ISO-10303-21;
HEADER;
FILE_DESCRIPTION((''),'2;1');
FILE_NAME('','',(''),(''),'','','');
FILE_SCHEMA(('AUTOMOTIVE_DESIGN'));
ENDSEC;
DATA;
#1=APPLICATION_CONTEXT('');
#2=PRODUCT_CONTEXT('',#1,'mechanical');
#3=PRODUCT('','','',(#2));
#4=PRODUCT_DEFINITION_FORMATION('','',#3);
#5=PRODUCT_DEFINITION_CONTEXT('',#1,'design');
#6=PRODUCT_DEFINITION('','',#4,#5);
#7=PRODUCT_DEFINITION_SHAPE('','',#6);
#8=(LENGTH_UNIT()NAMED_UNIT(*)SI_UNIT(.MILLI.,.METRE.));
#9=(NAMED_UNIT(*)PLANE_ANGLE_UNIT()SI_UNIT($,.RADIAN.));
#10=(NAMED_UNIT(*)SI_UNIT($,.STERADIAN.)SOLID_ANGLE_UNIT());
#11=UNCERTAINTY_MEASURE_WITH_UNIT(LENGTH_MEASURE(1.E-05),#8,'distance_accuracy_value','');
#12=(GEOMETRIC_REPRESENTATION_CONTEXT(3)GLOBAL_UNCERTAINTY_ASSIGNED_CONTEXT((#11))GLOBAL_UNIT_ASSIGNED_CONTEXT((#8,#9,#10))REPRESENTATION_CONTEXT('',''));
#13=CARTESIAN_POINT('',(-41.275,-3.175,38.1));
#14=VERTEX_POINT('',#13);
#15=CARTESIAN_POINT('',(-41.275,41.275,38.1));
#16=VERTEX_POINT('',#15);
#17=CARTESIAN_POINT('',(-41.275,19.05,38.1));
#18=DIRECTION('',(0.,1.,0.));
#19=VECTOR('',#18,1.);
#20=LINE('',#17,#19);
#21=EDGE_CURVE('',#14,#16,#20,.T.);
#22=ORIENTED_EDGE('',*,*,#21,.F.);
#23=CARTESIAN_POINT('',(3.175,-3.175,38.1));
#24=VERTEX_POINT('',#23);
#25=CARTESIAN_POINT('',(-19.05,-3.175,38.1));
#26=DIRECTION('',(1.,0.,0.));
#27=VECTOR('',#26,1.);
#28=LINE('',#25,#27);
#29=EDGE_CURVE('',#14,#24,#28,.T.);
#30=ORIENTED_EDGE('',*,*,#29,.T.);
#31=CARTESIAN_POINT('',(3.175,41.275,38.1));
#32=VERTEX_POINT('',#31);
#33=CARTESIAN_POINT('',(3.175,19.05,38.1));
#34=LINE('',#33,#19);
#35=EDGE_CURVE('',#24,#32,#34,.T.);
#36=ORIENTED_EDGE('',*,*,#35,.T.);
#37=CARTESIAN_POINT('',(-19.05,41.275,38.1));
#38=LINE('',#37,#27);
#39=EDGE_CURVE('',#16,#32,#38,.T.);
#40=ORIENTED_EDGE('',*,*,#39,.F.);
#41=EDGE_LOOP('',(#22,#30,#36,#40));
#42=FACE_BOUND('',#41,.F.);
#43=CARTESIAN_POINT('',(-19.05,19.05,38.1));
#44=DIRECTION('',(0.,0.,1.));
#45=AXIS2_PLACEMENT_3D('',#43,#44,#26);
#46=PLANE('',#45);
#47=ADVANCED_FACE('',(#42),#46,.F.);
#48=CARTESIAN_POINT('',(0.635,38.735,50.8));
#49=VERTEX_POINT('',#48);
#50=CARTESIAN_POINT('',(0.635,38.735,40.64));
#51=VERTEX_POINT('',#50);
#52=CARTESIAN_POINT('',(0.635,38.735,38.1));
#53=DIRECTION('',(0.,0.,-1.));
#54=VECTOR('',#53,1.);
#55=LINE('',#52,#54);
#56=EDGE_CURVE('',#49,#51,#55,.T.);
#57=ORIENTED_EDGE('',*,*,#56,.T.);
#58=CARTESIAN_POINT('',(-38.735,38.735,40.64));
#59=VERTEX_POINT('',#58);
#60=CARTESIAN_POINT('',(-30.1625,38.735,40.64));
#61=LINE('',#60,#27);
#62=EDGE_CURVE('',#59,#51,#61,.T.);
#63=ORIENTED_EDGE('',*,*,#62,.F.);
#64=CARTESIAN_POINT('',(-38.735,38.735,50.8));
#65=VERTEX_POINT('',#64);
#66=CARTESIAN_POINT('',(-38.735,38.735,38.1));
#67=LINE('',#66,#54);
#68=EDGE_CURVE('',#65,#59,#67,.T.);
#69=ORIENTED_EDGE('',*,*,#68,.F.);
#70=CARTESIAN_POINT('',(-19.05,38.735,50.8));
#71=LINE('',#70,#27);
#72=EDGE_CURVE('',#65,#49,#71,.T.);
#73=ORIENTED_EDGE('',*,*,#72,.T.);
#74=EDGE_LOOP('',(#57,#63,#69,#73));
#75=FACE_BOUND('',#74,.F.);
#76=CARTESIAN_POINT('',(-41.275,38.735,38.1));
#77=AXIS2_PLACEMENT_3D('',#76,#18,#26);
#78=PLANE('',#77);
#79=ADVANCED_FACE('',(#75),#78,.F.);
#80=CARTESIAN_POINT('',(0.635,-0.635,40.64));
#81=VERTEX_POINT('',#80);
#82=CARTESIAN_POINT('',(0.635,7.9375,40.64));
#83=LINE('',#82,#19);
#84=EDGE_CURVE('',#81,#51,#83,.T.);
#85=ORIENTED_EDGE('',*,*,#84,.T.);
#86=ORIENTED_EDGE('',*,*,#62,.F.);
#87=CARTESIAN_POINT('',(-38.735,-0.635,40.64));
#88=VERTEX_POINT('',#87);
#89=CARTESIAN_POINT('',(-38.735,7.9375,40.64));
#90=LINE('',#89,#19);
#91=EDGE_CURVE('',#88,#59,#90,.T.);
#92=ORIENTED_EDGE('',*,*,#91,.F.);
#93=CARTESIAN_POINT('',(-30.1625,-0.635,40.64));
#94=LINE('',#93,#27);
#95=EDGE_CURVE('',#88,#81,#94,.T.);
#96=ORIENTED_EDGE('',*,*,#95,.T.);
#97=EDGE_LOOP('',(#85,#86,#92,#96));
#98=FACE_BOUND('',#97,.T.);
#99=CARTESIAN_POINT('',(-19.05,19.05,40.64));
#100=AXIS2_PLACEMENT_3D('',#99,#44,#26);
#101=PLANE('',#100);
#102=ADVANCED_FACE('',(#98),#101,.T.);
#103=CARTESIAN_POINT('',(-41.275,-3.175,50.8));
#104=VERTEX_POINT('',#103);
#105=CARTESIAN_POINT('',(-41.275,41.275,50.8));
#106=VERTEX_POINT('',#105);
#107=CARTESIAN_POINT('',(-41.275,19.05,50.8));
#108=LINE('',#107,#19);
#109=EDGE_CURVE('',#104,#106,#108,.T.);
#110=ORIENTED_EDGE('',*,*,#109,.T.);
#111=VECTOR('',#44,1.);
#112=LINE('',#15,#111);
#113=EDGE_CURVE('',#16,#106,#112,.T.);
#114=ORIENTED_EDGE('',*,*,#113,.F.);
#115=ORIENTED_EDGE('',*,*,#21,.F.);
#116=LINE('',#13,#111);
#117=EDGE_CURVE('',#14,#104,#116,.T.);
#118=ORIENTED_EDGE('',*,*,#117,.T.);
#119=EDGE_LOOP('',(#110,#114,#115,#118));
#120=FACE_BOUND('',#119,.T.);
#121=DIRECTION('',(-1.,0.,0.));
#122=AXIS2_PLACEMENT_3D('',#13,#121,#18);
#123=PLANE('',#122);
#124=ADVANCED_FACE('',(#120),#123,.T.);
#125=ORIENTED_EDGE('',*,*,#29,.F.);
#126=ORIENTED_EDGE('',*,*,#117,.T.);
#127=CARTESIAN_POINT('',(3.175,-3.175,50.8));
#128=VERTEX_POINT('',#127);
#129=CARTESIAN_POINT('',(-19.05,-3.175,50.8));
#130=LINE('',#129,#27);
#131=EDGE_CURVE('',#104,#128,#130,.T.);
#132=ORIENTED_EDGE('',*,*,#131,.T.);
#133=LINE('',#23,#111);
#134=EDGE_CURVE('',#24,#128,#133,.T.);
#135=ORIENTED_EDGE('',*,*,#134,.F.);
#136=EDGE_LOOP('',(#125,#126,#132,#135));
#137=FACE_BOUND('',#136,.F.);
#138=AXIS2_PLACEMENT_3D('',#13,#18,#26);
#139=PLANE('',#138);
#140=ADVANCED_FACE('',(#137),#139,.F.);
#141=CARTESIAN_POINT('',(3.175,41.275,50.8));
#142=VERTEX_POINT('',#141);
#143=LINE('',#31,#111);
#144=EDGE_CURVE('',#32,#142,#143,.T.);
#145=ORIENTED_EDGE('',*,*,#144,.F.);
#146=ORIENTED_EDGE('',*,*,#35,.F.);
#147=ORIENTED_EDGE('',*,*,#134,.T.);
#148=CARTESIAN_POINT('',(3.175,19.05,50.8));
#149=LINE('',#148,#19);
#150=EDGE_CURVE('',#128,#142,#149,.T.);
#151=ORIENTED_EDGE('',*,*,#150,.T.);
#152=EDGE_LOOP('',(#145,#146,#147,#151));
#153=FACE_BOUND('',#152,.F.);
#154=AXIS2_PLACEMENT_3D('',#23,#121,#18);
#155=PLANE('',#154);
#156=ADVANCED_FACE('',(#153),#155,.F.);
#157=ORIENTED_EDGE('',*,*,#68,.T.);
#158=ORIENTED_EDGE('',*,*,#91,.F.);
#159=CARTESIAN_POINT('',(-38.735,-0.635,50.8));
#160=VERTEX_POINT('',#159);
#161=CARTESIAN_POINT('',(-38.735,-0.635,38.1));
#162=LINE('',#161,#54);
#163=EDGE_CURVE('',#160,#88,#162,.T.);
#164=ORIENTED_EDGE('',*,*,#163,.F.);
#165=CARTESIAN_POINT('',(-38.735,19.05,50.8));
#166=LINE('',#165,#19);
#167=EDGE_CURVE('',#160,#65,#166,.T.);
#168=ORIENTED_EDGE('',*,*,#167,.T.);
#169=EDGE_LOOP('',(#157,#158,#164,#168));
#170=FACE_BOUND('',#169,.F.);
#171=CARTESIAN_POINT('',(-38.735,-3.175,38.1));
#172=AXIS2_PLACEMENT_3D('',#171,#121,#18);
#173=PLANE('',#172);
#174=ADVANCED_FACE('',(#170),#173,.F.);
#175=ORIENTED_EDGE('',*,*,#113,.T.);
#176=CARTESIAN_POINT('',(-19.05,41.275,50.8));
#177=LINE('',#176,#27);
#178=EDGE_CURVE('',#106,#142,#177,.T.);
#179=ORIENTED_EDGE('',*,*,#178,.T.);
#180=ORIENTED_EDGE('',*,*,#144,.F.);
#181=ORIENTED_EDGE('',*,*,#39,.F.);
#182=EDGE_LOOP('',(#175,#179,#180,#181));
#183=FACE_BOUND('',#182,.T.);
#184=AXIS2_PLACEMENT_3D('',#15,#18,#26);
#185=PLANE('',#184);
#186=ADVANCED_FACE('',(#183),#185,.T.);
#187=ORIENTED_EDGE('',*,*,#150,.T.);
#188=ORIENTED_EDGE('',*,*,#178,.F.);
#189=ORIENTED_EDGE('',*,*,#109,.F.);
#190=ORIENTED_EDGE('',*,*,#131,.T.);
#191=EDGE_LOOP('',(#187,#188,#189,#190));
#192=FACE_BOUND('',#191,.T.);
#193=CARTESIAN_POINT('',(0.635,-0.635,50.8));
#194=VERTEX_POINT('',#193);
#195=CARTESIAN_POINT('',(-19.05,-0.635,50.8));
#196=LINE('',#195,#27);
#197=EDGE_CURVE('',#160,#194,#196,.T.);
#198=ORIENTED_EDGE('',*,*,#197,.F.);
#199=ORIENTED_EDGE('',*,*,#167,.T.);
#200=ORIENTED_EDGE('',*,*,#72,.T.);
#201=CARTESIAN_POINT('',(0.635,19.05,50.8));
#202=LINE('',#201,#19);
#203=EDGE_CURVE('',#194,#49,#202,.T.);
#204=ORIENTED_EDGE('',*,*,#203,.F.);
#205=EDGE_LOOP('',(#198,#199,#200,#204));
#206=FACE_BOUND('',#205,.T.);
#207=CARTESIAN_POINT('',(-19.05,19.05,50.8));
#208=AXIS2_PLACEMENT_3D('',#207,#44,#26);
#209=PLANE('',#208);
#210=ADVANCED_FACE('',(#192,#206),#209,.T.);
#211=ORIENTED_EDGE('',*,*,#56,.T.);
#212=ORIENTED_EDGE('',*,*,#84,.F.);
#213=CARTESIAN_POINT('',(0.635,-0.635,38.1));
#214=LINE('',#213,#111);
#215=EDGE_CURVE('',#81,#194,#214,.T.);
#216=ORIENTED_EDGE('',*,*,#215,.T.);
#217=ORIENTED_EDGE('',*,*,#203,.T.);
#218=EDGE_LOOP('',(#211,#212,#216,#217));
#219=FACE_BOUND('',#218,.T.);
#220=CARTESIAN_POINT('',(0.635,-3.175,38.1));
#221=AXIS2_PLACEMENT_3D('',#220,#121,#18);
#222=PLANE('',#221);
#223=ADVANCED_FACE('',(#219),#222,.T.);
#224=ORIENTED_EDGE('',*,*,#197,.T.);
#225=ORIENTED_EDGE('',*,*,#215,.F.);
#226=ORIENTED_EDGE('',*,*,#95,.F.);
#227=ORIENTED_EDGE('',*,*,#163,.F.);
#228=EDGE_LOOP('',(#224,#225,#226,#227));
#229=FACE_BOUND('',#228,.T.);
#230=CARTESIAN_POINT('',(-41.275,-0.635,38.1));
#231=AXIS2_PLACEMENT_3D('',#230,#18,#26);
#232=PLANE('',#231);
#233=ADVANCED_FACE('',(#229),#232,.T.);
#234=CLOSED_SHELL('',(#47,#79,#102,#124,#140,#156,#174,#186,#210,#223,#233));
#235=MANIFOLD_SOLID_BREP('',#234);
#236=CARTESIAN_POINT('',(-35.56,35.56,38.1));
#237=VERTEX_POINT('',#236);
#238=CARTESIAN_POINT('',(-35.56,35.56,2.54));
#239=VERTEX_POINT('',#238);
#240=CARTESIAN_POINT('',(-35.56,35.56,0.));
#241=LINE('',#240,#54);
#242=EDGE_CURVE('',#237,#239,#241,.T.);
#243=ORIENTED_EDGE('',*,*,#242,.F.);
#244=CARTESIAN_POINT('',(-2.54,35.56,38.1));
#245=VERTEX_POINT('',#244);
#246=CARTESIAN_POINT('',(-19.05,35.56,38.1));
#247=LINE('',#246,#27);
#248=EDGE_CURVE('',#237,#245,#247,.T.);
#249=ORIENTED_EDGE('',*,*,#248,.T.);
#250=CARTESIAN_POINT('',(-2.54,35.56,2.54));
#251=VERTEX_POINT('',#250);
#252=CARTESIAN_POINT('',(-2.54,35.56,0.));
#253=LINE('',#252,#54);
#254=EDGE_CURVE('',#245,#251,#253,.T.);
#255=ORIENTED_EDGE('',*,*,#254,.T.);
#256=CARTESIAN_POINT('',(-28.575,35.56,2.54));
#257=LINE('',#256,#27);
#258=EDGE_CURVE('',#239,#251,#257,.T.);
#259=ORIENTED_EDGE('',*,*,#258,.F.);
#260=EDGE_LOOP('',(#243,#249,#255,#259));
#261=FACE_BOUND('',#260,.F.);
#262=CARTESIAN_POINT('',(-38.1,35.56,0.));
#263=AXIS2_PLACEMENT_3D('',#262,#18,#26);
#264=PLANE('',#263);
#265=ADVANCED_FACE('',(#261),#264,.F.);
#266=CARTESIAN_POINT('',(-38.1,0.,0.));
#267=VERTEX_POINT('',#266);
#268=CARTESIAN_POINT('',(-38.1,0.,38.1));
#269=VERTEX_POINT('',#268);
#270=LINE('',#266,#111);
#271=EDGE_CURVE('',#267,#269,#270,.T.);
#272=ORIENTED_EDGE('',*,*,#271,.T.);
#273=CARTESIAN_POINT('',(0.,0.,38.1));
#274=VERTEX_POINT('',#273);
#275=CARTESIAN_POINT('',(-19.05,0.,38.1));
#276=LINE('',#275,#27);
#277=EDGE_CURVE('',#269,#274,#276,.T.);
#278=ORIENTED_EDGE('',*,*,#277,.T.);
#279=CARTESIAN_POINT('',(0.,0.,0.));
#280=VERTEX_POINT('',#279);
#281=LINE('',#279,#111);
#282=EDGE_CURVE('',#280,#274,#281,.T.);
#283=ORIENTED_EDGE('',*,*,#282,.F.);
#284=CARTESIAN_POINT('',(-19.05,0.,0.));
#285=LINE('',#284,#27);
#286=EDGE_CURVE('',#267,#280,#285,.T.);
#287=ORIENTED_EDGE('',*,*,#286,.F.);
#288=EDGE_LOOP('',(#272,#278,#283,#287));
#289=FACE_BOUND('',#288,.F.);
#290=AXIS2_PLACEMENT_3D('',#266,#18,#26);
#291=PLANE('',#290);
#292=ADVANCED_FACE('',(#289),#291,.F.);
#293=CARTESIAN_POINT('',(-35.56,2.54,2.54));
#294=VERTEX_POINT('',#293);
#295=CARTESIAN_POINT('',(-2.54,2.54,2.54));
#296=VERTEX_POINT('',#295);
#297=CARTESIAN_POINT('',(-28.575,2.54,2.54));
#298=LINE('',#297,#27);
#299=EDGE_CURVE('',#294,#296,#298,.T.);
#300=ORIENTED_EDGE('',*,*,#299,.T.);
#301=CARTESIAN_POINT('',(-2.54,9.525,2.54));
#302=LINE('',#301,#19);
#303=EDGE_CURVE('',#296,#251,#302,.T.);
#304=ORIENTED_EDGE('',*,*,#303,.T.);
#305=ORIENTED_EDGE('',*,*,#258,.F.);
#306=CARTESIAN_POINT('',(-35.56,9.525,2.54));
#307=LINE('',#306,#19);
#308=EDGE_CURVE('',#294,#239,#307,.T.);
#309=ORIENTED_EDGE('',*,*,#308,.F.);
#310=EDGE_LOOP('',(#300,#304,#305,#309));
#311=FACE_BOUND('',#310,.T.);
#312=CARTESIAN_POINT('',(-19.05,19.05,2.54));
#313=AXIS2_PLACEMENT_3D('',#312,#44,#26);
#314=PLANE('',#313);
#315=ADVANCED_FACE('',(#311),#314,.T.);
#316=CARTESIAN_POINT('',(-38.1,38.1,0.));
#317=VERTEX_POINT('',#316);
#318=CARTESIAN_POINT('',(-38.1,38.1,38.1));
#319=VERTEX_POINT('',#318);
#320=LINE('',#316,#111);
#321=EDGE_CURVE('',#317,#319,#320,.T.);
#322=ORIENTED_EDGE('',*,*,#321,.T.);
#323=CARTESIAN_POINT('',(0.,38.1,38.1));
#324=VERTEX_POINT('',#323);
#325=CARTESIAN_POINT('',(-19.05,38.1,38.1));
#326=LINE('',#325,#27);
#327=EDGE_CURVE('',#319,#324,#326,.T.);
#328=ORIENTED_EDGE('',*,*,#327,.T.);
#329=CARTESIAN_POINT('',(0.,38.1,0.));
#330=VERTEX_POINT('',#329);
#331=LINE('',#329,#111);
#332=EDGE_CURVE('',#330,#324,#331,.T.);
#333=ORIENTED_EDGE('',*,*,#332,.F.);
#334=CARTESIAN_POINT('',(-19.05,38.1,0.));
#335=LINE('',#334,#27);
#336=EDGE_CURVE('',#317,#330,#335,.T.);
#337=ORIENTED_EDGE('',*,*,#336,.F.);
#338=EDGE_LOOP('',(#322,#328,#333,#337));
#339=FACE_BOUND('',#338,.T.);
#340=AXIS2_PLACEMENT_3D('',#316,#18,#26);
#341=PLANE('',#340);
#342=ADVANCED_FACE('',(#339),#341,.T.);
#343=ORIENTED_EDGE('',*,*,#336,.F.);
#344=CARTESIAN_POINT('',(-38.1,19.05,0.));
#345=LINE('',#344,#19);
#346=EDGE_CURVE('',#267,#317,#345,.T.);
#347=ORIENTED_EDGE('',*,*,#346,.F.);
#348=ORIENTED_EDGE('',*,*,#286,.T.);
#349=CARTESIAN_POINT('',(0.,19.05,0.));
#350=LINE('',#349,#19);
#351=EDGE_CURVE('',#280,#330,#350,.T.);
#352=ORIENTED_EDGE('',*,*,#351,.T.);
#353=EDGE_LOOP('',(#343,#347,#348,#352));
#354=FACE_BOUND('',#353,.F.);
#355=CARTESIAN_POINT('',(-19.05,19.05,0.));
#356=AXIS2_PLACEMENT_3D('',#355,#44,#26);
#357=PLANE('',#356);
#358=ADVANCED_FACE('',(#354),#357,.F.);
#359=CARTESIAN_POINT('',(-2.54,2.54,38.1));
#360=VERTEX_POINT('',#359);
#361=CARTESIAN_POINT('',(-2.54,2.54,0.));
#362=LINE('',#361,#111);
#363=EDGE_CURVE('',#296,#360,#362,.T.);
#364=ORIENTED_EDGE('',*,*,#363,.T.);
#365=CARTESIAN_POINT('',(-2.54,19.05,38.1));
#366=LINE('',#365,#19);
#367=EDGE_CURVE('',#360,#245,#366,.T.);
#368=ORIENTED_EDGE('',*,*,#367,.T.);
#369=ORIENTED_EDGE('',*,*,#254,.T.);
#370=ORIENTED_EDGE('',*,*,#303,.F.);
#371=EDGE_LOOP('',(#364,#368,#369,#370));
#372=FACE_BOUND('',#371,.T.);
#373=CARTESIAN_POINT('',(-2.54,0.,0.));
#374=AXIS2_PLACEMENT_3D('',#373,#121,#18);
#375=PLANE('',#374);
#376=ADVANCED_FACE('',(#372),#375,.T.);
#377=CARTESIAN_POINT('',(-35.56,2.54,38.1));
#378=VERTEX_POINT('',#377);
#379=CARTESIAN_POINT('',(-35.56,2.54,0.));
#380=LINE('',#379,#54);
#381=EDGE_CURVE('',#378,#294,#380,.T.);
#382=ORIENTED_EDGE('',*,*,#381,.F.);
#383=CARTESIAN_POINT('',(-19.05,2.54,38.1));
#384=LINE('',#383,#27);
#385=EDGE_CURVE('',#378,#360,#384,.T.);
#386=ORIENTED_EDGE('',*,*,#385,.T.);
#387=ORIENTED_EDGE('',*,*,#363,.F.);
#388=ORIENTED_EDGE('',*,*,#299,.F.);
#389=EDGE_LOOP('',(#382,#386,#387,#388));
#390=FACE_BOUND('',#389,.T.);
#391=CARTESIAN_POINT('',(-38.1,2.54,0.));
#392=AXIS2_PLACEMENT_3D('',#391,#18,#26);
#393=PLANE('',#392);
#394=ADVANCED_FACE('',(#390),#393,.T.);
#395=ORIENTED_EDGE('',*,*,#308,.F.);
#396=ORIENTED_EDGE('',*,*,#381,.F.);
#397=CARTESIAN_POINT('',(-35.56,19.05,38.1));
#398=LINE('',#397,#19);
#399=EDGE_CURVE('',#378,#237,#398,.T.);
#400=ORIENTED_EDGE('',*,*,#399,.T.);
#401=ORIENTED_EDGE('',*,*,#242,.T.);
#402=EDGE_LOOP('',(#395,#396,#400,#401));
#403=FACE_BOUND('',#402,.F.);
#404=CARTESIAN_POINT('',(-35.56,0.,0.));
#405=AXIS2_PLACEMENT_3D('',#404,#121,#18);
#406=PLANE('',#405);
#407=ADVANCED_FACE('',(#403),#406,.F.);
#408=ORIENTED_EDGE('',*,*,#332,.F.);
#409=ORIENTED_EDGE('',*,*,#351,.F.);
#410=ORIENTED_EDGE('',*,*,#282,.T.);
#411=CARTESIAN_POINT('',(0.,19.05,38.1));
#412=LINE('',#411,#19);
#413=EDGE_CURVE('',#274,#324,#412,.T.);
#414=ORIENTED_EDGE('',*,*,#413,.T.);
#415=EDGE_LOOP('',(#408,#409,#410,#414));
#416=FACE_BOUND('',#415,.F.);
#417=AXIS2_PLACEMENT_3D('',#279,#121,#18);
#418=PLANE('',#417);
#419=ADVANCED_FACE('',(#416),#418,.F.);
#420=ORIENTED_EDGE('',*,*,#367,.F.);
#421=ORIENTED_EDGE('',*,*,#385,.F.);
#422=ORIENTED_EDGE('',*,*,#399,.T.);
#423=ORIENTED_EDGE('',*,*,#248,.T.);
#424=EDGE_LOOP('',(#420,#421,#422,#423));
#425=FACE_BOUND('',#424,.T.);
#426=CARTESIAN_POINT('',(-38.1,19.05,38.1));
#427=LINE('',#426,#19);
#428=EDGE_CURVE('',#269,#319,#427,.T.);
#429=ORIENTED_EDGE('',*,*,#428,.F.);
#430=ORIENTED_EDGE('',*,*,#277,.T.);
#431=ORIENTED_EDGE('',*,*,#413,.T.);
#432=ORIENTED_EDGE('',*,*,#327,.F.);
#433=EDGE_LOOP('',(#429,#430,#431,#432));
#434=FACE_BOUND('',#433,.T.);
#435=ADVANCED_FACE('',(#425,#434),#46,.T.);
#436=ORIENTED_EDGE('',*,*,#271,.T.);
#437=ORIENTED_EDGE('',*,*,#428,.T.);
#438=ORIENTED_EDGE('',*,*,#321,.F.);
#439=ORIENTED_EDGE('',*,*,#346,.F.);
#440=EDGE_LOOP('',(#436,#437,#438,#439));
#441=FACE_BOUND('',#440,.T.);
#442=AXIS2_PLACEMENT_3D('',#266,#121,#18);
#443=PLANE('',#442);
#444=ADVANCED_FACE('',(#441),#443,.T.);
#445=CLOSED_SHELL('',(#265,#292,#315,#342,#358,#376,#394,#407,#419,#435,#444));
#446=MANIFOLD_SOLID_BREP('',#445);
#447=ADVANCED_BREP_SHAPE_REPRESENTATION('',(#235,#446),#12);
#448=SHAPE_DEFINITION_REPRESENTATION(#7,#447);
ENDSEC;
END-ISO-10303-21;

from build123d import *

# Parameters (mm, degrees)
F1_W     = 38.1
F1_H     = 38.1
F2_DEPTH = 38.1
F3_W     = 44.45
F3_H     = 44.45
F4_DEPTH = 12.7
F5_T     = -2.54
F6_T     = -2.54


with BuildPart() as f2:
    # F1 (on face) → F2 (new body)
    with BuildSketch(Plane.XY):
        with Locations((-19.05, 19.05)):
            Rectangle(F1_W, F1_H)
    extrude(amount=F2_DEPTH)

    # F6
    f6_openings = [f2.faces().sort_by_distance(p)[0] for p in [
        (-19.05, 19.05, 38.1),
    ]]
    offset(amount=F6_T, openings=f6_openings)


with BuildPart() as f4:
    # F3 (on face) → F4 (new body)
    with BuildSketch(Plane.XY.offset(38.1)):
        with Locations((-19.05, 19.05)):
            Rectangle(F3_W, F3_H)
    extrude(amount=F4_DEPTH)

    # F5
    f5_openings = [f4.faces().sort_by_distance(p)[0] for p in [
        (-19.05, 19.05, 50.8),
    ]]
    offset(amount=F5_T, openings=f5_openings)


solid = Compound([f2.part, f4.part])
